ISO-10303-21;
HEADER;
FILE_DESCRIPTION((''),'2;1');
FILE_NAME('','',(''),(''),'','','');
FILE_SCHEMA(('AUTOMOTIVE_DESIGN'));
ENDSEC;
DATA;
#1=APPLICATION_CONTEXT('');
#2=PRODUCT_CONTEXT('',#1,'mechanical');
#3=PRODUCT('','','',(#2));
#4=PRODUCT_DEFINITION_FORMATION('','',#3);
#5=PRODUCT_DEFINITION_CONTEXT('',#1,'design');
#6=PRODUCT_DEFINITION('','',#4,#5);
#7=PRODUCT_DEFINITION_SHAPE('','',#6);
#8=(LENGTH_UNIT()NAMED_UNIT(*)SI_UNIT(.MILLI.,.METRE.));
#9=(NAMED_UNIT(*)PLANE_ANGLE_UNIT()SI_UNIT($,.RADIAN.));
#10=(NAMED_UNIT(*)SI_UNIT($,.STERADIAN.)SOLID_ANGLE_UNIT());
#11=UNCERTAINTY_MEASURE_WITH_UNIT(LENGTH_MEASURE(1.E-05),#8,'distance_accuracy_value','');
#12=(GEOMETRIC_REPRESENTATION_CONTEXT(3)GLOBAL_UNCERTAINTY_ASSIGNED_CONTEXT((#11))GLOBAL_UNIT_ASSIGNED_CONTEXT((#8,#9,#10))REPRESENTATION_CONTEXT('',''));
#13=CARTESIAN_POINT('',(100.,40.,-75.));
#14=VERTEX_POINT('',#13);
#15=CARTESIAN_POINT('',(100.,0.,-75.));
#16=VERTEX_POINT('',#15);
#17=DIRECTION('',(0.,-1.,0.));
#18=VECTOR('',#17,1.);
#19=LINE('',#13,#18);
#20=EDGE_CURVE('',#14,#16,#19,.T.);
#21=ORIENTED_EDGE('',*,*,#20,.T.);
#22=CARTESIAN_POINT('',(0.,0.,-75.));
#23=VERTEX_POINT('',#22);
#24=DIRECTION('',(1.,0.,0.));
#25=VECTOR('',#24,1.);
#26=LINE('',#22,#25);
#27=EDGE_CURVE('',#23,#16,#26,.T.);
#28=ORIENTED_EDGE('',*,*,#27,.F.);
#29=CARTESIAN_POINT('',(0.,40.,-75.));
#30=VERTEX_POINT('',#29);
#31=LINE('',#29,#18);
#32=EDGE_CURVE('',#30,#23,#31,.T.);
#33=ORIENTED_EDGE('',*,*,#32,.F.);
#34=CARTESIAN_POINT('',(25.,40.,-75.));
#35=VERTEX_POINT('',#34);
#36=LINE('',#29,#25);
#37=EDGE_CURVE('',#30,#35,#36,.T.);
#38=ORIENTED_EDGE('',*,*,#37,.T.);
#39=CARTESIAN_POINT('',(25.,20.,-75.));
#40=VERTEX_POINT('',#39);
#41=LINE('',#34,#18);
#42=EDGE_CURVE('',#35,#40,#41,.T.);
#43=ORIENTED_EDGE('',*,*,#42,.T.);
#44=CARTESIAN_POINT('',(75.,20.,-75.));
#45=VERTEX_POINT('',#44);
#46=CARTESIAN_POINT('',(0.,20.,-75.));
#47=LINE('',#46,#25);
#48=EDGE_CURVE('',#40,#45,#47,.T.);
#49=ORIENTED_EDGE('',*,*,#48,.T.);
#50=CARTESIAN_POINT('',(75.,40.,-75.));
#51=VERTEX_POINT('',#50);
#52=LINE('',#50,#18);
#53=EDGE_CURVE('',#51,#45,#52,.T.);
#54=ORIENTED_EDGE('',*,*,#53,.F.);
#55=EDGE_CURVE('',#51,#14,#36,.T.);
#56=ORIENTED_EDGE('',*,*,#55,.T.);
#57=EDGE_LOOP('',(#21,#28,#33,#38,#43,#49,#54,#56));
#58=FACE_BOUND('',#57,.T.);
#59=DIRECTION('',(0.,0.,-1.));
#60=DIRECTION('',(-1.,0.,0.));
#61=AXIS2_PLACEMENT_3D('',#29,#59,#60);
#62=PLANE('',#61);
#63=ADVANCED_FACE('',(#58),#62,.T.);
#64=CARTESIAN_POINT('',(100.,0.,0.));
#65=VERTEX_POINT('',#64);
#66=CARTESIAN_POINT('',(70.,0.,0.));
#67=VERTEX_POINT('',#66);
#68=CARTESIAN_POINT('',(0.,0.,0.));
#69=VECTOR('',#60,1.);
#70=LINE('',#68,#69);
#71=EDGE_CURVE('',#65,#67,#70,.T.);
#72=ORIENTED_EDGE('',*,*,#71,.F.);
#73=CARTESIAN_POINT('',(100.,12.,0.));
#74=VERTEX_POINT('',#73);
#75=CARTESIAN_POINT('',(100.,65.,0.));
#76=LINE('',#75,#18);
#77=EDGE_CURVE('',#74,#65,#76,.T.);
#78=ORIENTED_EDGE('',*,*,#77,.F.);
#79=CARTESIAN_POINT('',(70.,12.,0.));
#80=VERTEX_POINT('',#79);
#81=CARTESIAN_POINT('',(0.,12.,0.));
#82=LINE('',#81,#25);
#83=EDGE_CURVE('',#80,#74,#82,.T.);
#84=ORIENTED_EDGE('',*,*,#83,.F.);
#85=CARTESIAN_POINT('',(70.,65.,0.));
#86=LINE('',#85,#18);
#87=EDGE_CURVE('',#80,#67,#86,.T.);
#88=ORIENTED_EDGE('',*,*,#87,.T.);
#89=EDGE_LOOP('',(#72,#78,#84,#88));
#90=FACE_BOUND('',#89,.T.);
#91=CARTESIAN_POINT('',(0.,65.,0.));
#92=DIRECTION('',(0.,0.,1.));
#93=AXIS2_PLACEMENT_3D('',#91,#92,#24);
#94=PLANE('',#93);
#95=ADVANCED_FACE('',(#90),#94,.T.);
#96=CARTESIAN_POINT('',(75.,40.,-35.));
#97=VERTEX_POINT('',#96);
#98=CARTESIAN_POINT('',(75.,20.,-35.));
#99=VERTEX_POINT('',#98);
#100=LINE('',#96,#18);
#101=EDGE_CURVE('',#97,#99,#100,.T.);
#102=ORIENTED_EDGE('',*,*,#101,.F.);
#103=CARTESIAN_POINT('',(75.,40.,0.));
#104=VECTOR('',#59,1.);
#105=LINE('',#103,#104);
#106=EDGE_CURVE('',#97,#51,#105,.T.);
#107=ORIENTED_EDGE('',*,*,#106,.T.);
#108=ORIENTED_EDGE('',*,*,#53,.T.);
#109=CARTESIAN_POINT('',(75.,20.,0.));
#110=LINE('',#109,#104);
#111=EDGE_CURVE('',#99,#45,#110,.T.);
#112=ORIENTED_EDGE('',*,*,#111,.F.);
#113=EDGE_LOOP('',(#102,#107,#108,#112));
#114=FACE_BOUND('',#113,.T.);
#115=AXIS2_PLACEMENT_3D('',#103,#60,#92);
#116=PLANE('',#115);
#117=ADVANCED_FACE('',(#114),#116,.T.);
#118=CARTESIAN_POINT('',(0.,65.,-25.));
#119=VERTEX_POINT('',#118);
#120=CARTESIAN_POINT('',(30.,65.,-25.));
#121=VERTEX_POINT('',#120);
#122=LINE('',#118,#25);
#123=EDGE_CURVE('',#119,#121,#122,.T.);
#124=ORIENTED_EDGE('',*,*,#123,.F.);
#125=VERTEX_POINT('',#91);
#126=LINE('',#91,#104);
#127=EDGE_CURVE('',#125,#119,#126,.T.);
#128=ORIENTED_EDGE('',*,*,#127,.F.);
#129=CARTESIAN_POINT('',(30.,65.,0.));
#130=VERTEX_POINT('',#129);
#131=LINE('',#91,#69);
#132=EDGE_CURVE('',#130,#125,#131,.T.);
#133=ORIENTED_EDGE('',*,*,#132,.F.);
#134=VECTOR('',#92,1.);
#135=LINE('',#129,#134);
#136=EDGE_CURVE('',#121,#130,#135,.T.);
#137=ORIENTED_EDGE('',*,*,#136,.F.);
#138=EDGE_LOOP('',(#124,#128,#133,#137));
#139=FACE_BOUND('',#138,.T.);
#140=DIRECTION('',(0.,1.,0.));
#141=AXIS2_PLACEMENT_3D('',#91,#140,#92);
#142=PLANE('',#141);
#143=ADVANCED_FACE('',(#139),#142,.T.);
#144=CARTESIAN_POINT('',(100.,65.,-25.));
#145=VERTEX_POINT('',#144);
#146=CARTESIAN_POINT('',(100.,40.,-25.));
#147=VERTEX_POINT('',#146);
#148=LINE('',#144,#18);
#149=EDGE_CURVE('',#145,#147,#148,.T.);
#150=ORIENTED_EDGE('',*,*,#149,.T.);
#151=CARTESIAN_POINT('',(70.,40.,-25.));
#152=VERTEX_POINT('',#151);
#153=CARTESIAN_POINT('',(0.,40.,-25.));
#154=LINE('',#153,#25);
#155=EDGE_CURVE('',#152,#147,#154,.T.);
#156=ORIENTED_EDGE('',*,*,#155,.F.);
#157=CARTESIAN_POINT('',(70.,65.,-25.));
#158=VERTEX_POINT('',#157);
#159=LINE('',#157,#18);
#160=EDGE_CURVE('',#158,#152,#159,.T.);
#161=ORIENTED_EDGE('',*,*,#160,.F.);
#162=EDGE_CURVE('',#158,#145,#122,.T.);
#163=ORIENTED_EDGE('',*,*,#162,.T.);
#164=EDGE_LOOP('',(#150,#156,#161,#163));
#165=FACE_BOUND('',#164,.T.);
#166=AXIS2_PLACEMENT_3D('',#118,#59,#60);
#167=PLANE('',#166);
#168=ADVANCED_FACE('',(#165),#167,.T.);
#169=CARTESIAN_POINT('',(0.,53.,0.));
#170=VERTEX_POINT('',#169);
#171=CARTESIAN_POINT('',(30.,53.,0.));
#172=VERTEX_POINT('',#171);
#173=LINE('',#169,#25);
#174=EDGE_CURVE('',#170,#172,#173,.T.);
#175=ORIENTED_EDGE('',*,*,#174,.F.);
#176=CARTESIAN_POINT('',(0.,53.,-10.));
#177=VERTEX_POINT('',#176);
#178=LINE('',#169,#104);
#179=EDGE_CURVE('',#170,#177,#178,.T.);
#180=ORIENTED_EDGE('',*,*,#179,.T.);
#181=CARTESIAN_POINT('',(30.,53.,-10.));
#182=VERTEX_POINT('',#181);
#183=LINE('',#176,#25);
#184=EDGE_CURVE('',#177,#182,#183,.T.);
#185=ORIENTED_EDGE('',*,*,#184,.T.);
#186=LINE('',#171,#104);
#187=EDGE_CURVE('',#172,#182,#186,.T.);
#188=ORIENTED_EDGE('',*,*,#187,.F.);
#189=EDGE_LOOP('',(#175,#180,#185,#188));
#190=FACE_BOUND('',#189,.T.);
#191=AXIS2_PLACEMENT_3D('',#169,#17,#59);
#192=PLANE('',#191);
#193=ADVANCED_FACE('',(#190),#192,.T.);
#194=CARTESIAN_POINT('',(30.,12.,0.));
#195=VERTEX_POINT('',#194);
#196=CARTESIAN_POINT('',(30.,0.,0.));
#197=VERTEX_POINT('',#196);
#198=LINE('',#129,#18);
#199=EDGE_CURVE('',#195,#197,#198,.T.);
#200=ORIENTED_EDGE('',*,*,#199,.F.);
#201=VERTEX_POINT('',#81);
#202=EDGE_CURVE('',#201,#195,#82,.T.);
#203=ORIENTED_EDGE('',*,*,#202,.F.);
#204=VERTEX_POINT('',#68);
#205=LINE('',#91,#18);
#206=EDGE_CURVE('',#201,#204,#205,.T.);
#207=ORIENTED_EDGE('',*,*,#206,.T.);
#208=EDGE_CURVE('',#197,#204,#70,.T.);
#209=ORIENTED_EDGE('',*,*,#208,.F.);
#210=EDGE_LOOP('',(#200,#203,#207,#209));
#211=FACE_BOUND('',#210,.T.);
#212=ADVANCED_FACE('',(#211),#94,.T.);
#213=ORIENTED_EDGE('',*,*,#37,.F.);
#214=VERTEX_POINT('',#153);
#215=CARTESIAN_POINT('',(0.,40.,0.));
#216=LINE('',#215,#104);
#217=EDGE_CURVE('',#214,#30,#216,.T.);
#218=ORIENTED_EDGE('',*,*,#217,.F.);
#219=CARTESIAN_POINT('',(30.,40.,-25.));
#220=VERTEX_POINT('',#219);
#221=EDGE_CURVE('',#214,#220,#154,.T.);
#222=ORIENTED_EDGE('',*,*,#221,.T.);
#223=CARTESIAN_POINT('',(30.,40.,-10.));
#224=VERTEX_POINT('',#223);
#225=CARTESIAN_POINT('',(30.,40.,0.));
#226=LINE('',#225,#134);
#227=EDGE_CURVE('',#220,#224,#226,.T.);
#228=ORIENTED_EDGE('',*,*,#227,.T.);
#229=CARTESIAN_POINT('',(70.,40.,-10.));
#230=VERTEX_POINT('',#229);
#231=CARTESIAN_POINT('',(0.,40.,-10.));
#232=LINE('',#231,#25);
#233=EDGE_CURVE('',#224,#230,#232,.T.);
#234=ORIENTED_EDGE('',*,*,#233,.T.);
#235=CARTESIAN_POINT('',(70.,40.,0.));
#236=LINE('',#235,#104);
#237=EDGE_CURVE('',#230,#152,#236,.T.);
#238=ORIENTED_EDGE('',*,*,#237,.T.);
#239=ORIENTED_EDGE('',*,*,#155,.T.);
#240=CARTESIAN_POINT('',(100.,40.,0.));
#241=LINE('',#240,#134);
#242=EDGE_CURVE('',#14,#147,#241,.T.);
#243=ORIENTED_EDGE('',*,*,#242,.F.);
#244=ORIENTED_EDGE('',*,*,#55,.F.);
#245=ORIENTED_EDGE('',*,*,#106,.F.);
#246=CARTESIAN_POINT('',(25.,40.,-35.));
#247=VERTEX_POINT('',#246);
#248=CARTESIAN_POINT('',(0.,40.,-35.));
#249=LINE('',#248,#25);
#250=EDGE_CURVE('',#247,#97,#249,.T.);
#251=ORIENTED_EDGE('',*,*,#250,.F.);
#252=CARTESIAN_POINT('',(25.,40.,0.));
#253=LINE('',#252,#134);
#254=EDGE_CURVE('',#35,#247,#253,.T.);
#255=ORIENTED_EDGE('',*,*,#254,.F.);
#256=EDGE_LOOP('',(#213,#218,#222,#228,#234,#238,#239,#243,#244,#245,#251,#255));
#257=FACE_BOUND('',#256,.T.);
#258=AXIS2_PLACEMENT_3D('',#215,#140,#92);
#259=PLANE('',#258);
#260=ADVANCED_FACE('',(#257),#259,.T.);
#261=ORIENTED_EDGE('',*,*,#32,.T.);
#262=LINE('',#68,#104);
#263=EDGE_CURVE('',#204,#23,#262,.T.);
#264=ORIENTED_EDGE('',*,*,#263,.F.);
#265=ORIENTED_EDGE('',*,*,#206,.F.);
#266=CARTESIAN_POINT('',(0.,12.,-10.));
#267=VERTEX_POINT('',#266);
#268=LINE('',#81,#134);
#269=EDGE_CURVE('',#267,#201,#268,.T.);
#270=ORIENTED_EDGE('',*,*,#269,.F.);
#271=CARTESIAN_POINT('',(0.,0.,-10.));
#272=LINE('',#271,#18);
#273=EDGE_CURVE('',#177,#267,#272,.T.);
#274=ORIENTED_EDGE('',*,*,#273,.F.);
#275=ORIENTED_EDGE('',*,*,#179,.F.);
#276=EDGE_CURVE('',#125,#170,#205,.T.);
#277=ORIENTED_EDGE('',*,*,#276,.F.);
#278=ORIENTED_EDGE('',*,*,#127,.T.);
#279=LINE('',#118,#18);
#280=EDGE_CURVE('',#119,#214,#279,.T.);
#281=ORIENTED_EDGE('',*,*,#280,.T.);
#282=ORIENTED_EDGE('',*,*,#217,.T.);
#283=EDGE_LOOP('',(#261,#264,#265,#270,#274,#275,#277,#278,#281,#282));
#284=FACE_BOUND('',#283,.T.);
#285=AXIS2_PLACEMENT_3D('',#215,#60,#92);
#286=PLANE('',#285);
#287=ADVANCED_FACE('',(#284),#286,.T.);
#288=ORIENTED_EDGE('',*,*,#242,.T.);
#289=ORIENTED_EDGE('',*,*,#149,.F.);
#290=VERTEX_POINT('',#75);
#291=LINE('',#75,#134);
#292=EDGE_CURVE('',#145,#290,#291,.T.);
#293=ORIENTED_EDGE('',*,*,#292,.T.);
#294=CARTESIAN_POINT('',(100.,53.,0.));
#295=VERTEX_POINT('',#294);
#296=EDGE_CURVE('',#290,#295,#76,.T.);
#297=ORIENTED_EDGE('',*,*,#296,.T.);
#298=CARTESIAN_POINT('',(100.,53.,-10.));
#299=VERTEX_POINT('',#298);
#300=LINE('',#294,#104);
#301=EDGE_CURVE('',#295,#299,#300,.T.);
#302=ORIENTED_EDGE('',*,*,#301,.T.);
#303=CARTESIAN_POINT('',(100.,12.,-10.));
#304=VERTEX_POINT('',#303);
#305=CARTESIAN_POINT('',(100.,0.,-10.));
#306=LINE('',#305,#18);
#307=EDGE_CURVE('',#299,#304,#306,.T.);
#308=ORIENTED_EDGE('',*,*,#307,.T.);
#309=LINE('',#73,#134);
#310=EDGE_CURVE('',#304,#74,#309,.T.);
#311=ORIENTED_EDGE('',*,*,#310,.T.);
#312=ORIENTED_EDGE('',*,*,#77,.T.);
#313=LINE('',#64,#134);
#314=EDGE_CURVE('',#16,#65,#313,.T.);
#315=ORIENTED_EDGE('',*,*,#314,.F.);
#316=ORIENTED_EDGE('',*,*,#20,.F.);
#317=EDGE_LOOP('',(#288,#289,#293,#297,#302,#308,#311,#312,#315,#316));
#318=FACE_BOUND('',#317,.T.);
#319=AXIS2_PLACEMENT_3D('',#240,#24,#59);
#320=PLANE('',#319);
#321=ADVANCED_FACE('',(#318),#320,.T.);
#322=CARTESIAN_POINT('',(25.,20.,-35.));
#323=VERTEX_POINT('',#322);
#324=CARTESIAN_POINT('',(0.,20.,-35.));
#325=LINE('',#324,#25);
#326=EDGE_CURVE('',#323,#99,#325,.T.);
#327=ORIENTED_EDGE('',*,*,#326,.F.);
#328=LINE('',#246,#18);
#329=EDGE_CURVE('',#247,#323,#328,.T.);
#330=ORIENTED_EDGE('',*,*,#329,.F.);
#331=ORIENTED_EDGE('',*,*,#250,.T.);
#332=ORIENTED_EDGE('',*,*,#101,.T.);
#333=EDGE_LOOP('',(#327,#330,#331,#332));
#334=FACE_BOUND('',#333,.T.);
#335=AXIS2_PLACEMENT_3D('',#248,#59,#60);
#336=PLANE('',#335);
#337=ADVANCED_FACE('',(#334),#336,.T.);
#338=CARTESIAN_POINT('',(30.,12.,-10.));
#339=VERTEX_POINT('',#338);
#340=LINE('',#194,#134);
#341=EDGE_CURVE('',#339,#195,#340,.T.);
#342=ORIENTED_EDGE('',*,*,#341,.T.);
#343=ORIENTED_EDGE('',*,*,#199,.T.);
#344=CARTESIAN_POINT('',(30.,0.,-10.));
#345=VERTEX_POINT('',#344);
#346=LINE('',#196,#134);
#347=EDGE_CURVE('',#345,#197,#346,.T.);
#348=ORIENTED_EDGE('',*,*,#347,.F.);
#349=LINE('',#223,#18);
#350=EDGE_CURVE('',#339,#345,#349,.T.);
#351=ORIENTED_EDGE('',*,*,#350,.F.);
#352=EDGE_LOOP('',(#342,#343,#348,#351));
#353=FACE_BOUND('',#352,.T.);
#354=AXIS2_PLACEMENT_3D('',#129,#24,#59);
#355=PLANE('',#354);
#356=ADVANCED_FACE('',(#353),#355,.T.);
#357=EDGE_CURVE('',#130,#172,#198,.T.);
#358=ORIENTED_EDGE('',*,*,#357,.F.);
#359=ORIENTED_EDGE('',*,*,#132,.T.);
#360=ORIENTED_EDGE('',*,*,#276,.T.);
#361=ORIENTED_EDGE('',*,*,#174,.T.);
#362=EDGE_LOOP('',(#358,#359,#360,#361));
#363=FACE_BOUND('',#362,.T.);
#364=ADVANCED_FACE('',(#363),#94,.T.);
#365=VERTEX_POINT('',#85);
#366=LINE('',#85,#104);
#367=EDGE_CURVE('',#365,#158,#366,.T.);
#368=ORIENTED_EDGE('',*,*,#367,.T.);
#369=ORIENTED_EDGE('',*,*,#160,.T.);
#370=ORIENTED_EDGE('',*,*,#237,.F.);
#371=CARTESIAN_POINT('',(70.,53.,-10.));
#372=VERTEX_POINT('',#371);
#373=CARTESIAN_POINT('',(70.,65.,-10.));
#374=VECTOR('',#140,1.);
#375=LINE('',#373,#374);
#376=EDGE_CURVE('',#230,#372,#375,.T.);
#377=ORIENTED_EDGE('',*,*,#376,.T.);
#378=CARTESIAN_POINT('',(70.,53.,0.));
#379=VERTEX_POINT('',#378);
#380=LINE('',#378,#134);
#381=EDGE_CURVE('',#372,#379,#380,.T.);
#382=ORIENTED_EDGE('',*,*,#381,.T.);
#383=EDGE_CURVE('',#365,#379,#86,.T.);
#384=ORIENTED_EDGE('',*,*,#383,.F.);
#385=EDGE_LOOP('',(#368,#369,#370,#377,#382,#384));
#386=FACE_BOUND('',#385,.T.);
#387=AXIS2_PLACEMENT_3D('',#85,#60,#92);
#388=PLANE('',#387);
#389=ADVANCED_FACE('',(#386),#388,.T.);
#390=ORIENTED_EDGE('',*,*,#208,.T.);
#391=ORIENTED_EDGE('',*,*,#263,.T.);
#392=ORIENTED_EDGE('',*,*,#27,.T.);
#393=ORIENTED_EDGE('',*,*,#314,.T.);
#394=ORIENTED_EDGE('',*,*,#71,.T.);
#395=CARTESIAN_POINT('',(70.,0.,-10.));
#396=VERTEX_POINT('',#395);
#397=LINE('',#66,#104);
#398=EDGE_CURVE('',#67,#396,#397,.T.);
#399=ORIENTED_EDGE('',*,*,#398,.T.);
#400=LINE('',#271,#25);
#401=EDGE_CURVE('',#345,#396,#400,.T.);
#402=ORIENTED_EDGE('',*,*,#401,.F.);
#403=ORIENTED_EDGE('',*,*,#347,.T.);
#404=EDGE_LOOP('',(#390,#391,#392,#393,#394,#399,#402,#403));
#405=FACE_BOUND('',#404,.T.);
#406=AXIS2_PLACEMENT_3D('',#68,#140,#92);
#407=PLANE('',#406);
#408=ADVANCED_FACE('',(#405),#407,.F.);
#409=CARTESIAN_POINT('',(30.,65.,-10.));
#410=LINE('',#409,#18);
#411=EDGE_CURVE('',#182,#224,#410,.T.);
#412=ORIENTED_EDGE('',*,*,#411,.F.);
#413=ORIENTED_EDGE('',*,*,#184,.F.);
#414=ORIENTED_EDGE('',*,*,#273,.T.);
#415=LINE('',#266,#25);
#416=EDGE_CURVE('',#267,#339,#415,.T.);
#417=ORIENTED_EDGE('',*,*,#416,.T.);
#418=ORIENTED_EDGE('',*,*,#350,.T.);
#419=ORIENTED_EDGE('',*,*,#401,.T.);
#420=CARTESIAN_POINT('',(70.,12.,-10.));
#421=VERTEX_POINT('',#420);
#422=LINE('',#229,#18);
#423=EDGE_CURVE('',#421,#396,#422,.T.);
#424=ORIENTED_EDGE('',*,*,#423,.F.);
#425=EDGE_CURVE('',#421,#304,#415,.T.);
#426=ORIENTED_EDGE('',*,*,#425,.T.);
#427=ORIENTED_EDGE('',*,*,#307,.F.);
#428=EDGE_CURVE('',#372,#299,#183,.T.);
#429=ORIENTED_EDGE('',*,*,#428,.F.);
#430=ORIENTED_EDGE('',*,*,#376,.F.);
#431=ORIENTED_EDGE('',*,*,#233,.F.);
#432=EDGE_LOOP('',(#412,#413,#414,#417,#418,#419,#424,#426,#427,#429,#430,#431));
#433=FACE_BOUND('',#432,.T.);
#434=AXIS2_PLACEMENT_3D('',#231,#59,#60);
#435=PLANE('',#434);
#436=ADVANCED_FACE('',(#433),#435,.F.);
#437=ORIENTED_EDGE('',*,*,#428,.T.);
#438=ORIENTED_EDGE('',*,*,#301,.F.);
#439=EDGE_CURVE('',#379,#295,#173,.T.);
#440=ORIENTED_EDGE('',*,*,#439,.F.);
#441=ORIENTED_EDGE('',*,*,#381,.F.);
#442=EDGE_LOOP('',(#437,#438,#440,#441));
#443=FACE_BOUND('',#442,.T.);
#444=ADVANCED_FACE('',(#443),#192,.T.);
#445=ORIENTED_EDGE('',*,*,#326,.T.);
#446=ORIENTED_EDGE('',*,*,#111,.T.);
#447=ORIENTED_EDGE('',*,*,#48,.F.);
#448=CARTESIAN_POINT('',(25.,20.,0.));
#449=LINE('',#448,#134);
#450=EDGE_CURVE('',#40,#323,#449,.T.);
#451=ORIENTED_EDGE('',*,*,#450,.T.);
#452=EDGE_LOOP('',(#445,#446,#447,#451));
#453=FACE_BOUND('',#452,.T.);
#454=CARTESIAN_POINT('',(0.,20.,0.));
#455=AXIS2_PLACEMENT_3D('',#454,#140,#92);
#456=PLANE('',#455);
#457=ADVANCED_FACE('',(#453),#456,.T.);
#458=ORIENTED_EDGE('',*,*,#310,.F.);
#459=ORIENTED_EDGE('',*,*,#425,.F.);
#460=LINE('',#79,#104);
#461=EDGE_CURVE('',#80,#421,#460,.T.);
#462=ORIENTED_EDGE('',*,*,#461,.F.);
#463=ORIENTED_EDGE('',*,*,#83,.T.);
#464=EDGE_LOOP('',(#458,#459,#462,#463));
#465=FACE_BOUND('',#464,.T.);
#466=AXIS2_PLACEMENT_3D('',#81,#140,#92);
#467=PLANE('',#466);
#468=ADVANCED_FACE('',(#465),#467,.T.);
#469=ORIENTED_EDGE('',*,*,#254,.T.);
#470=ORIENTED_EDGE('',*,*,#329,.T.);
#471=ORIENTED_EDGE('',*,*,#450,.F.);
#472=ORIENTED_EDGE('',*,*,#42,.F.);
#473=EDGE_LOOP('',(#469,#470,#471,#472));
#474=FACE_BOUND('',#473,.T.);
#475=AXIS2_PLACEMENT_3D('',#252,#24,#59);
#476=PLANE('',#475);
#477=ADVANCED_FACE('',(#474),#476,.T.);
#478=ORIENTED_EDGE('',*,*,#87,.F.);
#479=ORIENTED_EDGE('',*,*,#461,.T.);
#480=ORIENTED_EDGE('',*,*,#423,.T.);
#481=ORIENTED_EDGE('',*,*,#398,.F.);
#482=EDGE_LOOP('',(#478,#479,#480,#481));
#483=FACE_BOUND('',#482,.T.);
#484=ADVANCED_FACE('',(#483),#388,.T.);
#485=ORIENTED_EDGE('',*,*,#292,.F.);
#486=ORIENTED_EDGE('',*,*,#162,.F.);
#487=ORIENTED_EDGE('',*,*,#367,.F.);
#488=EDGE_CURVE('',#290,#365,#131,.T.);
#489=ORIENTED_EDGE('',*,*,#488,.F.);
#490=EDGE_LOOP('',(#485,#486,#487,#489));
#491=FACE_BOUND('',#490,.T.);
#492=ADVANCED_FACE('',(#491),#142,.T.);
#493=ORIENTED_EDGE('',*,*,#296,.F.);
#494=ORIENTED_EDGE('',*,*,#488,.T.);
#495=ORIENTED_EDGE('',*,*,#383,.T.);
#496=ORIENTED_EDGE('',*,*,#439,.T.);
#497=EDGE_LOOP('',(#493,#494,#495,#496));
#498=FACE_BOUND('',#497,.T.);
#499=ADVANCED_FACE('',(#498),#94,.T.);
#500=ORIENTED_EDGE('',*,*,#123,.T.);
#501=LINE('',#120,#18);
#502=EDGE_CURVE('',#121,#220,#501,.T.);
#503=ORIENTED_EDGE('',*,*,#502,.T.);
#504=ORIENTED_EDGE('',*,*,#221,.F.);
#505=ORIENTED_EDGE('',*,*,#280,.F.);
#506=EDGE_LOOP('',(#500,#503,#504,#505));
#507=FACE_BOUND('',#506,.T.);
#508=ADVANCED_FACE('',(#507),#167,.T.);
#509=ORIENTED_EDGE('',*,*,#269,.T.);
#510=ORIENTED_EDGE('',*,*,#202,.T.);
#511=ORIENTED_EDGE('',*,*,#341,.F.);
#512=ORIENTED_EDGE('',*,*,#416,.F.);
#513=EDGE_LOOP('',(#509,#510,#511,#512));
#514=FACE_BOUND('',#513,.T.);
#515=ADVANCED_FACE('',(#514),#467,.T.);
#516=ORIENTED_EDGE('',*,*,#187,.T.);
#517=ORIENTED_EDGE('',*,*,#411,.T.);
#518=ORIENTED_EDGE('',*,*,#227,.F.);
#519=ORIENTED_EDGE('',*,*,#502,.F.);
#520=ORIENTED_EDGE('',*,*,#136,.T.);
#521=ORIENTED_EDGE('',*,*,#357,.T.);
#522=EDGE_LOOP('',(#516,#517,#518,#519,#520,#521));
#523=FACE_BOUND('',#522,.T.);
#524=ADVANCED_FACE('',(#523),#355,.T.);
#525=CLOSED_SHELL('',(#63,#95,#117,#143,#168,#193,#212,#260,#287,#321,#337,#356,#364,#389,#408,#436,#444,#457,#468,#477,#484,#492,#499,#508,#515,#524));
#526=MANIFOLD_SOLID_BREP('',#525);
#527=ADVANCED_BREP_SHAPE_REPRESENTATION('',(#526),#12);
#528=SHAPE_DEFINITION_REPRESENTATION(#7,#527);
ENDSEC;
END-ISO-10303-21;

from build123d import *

# Parameters (mm, degrees)
BOSS_EXTRUDE1_DEPTH = 40
SKETCH1_3_W         = 50
SKETCH1_3_H         = 40
BOSS_EXTRUDE2_DEPTH = 20
SKETCH1_4_W         = 30
SKETCH1_4_H         = 25
BOSS_EXTRUDE3_DEPTH = 65
SKETCH2_W           = 10
SKETCH2_H           = 41
CUT_EXTRUDE1_DEPTH  = 141.890028036


with BuildPart() as part:
    # Sketch1 → Boss-Extrude1 (new body)
    with BuildSketch(Plane(origin=(0, 0, 0), x_dir=(1, 0, 0), z_dir=(0, 1, 0))):
        Polygon((0, 75), (0, 25), (30, 25), (30, 10), (70, 10), (70, 25), (100, 25), (100, 75), (75, 75), (75, 35), (25, 35), (25, 75), align=None)
    extrude(amount=BOSS_EXTRUDE1_DEPTH)

    # Sketch1<3> → Boss-Extrude2 (add)
    with BuildSketch(Plane(origin=(0, 0, 0), x_dir=(1, 0, 0), z_dir=(0, 1, 0))):
        with Locations((50, 55)):
            Rectangle(SKETCH1_3_W, SKETCH1_3_H)
    extrude(amount=BOSS_EXTRUDE2_DEPTH)

    # Sketch1<4> → Boss-Extrude3 (add)
    with BuildSketch(Plane(origin=(0, 0, 0), x_dir=(1, 0, 0), z_dir=(0, 1, 0))):
        with Locations((15, 12.5)):
            Rectangle(SKETCH1_4_W, SKETCH1_4_H)
        with Locations((85, 12.5)):
            Rectangle(SKETCH1_4_W, SKETCH1_4_H)
    extrude(amount=BOSS_EXTRUDE3_DEPTH)

    # Sketch2 → Cut-Extrude1 (cut, through all)
    with BuildSketch(Plane(origin=(100, 0, 0), x_dir=(0, 0, -1), z_dir=(1, 0, 0))):
        with Locations((5, 32.5)):
            Rectangle(SKETCH2_W, SKETCH2_H)
    extrude(amount=-CUT_EXTRUDE1_DEPTH, mode=Mode.SUBTRACT)


solid = part.part
